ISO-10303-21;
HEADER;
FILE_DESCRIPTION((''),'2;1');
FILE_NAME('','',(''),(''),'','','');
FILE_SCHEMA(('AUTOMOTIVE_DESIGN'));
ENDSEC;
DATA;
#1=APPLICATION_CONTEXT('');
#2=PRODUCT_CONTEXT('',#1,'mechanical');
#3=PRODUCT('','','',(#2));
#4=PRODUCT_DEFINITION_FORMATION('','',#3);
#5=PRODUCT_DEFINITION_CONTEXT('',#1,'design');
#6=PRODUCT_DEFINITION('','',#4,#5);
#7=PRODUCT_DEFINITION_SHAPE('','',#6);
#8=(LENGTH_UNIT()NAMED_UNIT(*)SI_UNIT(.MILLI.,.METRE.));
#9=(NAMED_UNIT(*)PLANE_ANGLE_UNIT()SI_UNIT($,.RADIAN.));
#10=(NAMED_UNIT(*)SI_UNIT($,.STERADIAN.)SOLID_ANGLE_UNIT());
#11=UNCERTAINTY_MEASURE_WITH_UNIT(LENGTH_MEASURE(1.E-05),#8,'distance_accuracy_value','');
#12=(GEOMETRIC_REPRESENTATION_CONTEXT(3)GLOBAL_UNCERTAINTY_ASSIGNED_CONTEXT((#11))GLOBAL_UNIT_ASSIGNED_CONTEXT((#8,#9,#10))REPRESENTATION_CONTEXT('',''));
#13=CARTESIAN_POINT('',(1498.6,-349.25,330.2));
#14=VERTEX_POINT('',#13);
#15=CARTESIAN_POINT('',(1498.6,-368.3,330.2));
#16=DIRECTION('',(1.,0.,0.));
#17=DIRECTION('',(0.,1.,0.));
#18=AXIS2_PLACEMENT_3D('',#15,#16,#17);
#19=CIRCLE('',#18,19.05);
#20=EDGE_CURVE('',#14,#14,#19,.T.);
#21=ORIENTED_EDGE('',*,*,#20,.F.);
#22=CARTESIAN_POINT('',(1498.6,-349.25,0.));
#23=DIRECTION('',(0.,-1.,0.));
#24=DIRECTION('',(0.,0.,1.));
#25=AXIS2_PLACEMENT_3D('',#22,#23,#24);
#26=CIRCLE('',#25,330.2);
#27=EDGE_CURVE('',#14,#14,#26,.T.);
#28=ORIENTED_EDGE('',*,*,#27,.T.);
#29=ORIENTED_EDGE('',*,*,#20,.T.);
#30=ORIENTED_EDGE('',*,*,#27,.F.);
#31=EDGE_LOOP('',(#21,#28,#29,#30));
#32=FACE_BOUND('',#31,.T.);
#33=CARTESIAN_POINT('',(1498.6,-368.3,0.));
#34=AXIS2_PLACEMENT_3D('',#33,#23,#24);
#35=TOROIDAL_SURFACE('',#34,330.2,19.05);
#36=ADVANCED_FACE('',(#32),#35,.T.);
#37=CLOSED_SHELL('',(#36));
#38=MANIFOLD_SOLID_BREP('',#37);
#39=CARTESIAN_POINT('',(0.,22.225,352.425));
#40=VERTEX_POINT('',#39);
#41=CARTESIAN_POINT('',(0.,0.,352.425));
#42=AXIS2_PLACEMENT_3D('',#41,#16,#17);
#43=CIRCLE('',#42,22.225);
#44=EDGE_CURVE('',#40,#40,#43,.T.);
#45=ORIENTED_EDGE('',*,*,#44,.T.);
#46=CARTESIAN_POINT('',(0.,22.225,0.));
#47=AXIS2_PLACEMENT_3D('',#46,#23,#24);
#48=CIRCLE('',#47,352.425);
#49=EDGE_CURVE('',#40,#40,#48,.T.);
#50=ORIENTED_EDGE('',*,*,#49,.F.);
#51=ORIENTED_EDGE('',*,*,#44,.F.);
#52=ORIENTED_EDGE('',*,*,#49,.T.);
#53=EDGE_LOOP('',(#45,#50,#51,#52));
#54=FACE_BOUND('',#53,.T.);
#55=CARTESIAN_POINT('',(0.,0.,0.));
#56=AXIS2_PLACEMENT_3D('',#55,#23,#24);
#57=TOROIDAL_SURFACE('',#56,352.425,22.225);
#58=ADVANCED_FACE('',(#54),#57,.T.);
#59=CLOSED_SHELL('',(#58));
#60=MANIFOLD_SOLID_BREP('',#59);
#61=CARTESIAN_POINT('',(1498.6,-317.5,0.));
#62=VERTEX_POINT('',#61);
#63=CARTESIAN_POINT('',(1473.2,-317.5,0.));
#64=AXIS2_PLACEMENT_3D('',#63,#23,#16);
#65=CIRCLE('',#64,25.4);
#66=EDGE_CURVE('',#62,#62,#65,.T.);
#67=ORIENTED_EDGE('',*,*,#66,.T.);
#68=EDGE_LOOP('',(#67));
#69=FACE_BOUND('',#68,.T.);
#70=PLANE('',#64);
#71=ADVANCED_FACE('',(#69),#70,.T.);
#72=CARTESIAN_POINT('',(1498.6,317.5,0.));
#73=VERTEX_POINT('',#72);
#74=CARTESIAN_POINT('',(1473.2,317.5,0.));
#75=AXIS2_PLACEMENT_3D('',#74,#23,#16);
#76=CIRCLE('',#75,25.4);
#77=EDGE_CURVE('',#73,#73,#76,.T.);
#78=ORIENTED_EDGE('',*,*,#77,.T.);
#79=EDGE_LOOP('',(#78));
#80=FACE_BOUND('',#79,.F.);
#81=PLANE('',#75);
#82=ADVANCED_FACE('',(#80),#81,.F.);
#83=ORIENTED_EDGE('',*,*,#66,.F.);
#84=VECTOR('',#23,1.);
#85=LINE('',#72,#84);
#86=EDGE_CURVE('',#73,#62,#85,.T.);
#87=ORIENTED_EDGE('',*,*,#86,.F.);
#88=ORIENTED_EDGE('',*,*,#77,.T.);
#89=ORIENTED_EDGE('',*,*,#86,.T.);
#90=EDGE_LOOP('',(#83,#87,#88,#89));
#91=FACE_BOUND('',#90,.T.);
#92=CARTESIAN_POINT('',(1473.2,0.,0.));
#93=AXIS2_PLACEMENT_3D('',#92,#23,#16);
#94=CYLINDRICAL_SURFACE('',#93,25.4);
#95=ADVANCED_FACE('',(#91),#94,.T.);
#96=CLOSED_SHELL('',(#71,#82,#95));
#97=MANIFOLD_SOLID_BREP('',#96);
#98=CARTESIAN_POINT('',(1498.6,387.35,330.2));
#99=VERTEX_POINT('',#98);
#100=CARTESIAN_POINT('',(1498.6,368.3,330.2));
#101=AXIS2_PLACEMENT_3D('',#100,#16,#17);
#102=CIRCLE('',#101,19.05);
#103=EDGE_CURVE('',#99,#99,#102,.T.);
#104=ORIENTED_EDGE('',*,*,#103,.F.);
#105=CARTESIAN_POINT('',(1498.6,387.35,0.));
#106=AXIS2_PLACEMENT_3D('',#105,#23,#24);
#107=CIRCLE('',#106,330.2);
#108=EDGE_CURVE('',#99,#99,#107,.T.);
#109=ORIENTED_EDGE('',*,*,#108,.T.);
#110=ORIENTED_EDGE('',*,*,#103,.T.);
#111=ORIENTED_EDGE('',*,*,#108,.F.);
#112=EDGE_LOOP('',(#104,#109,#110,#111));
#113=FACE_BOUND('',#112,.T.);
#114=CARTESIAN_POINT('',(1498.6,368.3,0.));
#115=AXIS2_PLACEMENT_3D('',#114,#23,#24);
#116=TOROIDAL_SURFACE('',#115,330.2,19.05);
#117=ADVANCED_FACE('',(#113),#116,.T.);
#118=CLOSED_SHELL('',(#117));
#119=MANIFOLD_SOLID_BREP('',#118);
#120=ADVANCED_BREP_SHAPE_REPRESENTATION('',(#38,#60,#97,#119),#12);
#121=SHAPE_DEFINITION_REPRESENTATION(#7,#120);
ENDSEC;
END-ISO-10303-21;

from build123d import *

# Parameters (mm, degrees)
F0_R     = 22.225
F2_R     = 25.4
F3_DEPTH = 317.5
F5_R     = 19.05


with BuildPart() as f1:
    # F0 (on Right) → F1 (revolve)
    with BuildSketch(Plane.YZ):
        with Locations((0, 352.425)):
            Circle(F0_R)
    revolve(axis=Axis((0, -85.645348, 0), (0, -1, 0)))


with BuildPart() as f3:
    # F2 (on Front) → F3 (new body, symmetric)
    with BuildSketch(Plane.XZ):
        with Locations((1473.2, 0)):
            Circle(F2_R)
    extrude(amount=F3_DEPTH, both=True)


with BuildPart() as f6:
    # F5 (on offset) → F6 (revolve)
    with BuildSketch(Plane.YZ.offset(1498.6)):
        with Locations((368.3, 330.2)):
            Circle(F5_R)
        with Locations((-368.3, 330.2)):
            Circle(F5_R)
    revolve(axis=Axis((1498.6, -294.494251, 0), (0, -1, 0)))


solid = Compound([f1.part, f3.part, f6.part])
